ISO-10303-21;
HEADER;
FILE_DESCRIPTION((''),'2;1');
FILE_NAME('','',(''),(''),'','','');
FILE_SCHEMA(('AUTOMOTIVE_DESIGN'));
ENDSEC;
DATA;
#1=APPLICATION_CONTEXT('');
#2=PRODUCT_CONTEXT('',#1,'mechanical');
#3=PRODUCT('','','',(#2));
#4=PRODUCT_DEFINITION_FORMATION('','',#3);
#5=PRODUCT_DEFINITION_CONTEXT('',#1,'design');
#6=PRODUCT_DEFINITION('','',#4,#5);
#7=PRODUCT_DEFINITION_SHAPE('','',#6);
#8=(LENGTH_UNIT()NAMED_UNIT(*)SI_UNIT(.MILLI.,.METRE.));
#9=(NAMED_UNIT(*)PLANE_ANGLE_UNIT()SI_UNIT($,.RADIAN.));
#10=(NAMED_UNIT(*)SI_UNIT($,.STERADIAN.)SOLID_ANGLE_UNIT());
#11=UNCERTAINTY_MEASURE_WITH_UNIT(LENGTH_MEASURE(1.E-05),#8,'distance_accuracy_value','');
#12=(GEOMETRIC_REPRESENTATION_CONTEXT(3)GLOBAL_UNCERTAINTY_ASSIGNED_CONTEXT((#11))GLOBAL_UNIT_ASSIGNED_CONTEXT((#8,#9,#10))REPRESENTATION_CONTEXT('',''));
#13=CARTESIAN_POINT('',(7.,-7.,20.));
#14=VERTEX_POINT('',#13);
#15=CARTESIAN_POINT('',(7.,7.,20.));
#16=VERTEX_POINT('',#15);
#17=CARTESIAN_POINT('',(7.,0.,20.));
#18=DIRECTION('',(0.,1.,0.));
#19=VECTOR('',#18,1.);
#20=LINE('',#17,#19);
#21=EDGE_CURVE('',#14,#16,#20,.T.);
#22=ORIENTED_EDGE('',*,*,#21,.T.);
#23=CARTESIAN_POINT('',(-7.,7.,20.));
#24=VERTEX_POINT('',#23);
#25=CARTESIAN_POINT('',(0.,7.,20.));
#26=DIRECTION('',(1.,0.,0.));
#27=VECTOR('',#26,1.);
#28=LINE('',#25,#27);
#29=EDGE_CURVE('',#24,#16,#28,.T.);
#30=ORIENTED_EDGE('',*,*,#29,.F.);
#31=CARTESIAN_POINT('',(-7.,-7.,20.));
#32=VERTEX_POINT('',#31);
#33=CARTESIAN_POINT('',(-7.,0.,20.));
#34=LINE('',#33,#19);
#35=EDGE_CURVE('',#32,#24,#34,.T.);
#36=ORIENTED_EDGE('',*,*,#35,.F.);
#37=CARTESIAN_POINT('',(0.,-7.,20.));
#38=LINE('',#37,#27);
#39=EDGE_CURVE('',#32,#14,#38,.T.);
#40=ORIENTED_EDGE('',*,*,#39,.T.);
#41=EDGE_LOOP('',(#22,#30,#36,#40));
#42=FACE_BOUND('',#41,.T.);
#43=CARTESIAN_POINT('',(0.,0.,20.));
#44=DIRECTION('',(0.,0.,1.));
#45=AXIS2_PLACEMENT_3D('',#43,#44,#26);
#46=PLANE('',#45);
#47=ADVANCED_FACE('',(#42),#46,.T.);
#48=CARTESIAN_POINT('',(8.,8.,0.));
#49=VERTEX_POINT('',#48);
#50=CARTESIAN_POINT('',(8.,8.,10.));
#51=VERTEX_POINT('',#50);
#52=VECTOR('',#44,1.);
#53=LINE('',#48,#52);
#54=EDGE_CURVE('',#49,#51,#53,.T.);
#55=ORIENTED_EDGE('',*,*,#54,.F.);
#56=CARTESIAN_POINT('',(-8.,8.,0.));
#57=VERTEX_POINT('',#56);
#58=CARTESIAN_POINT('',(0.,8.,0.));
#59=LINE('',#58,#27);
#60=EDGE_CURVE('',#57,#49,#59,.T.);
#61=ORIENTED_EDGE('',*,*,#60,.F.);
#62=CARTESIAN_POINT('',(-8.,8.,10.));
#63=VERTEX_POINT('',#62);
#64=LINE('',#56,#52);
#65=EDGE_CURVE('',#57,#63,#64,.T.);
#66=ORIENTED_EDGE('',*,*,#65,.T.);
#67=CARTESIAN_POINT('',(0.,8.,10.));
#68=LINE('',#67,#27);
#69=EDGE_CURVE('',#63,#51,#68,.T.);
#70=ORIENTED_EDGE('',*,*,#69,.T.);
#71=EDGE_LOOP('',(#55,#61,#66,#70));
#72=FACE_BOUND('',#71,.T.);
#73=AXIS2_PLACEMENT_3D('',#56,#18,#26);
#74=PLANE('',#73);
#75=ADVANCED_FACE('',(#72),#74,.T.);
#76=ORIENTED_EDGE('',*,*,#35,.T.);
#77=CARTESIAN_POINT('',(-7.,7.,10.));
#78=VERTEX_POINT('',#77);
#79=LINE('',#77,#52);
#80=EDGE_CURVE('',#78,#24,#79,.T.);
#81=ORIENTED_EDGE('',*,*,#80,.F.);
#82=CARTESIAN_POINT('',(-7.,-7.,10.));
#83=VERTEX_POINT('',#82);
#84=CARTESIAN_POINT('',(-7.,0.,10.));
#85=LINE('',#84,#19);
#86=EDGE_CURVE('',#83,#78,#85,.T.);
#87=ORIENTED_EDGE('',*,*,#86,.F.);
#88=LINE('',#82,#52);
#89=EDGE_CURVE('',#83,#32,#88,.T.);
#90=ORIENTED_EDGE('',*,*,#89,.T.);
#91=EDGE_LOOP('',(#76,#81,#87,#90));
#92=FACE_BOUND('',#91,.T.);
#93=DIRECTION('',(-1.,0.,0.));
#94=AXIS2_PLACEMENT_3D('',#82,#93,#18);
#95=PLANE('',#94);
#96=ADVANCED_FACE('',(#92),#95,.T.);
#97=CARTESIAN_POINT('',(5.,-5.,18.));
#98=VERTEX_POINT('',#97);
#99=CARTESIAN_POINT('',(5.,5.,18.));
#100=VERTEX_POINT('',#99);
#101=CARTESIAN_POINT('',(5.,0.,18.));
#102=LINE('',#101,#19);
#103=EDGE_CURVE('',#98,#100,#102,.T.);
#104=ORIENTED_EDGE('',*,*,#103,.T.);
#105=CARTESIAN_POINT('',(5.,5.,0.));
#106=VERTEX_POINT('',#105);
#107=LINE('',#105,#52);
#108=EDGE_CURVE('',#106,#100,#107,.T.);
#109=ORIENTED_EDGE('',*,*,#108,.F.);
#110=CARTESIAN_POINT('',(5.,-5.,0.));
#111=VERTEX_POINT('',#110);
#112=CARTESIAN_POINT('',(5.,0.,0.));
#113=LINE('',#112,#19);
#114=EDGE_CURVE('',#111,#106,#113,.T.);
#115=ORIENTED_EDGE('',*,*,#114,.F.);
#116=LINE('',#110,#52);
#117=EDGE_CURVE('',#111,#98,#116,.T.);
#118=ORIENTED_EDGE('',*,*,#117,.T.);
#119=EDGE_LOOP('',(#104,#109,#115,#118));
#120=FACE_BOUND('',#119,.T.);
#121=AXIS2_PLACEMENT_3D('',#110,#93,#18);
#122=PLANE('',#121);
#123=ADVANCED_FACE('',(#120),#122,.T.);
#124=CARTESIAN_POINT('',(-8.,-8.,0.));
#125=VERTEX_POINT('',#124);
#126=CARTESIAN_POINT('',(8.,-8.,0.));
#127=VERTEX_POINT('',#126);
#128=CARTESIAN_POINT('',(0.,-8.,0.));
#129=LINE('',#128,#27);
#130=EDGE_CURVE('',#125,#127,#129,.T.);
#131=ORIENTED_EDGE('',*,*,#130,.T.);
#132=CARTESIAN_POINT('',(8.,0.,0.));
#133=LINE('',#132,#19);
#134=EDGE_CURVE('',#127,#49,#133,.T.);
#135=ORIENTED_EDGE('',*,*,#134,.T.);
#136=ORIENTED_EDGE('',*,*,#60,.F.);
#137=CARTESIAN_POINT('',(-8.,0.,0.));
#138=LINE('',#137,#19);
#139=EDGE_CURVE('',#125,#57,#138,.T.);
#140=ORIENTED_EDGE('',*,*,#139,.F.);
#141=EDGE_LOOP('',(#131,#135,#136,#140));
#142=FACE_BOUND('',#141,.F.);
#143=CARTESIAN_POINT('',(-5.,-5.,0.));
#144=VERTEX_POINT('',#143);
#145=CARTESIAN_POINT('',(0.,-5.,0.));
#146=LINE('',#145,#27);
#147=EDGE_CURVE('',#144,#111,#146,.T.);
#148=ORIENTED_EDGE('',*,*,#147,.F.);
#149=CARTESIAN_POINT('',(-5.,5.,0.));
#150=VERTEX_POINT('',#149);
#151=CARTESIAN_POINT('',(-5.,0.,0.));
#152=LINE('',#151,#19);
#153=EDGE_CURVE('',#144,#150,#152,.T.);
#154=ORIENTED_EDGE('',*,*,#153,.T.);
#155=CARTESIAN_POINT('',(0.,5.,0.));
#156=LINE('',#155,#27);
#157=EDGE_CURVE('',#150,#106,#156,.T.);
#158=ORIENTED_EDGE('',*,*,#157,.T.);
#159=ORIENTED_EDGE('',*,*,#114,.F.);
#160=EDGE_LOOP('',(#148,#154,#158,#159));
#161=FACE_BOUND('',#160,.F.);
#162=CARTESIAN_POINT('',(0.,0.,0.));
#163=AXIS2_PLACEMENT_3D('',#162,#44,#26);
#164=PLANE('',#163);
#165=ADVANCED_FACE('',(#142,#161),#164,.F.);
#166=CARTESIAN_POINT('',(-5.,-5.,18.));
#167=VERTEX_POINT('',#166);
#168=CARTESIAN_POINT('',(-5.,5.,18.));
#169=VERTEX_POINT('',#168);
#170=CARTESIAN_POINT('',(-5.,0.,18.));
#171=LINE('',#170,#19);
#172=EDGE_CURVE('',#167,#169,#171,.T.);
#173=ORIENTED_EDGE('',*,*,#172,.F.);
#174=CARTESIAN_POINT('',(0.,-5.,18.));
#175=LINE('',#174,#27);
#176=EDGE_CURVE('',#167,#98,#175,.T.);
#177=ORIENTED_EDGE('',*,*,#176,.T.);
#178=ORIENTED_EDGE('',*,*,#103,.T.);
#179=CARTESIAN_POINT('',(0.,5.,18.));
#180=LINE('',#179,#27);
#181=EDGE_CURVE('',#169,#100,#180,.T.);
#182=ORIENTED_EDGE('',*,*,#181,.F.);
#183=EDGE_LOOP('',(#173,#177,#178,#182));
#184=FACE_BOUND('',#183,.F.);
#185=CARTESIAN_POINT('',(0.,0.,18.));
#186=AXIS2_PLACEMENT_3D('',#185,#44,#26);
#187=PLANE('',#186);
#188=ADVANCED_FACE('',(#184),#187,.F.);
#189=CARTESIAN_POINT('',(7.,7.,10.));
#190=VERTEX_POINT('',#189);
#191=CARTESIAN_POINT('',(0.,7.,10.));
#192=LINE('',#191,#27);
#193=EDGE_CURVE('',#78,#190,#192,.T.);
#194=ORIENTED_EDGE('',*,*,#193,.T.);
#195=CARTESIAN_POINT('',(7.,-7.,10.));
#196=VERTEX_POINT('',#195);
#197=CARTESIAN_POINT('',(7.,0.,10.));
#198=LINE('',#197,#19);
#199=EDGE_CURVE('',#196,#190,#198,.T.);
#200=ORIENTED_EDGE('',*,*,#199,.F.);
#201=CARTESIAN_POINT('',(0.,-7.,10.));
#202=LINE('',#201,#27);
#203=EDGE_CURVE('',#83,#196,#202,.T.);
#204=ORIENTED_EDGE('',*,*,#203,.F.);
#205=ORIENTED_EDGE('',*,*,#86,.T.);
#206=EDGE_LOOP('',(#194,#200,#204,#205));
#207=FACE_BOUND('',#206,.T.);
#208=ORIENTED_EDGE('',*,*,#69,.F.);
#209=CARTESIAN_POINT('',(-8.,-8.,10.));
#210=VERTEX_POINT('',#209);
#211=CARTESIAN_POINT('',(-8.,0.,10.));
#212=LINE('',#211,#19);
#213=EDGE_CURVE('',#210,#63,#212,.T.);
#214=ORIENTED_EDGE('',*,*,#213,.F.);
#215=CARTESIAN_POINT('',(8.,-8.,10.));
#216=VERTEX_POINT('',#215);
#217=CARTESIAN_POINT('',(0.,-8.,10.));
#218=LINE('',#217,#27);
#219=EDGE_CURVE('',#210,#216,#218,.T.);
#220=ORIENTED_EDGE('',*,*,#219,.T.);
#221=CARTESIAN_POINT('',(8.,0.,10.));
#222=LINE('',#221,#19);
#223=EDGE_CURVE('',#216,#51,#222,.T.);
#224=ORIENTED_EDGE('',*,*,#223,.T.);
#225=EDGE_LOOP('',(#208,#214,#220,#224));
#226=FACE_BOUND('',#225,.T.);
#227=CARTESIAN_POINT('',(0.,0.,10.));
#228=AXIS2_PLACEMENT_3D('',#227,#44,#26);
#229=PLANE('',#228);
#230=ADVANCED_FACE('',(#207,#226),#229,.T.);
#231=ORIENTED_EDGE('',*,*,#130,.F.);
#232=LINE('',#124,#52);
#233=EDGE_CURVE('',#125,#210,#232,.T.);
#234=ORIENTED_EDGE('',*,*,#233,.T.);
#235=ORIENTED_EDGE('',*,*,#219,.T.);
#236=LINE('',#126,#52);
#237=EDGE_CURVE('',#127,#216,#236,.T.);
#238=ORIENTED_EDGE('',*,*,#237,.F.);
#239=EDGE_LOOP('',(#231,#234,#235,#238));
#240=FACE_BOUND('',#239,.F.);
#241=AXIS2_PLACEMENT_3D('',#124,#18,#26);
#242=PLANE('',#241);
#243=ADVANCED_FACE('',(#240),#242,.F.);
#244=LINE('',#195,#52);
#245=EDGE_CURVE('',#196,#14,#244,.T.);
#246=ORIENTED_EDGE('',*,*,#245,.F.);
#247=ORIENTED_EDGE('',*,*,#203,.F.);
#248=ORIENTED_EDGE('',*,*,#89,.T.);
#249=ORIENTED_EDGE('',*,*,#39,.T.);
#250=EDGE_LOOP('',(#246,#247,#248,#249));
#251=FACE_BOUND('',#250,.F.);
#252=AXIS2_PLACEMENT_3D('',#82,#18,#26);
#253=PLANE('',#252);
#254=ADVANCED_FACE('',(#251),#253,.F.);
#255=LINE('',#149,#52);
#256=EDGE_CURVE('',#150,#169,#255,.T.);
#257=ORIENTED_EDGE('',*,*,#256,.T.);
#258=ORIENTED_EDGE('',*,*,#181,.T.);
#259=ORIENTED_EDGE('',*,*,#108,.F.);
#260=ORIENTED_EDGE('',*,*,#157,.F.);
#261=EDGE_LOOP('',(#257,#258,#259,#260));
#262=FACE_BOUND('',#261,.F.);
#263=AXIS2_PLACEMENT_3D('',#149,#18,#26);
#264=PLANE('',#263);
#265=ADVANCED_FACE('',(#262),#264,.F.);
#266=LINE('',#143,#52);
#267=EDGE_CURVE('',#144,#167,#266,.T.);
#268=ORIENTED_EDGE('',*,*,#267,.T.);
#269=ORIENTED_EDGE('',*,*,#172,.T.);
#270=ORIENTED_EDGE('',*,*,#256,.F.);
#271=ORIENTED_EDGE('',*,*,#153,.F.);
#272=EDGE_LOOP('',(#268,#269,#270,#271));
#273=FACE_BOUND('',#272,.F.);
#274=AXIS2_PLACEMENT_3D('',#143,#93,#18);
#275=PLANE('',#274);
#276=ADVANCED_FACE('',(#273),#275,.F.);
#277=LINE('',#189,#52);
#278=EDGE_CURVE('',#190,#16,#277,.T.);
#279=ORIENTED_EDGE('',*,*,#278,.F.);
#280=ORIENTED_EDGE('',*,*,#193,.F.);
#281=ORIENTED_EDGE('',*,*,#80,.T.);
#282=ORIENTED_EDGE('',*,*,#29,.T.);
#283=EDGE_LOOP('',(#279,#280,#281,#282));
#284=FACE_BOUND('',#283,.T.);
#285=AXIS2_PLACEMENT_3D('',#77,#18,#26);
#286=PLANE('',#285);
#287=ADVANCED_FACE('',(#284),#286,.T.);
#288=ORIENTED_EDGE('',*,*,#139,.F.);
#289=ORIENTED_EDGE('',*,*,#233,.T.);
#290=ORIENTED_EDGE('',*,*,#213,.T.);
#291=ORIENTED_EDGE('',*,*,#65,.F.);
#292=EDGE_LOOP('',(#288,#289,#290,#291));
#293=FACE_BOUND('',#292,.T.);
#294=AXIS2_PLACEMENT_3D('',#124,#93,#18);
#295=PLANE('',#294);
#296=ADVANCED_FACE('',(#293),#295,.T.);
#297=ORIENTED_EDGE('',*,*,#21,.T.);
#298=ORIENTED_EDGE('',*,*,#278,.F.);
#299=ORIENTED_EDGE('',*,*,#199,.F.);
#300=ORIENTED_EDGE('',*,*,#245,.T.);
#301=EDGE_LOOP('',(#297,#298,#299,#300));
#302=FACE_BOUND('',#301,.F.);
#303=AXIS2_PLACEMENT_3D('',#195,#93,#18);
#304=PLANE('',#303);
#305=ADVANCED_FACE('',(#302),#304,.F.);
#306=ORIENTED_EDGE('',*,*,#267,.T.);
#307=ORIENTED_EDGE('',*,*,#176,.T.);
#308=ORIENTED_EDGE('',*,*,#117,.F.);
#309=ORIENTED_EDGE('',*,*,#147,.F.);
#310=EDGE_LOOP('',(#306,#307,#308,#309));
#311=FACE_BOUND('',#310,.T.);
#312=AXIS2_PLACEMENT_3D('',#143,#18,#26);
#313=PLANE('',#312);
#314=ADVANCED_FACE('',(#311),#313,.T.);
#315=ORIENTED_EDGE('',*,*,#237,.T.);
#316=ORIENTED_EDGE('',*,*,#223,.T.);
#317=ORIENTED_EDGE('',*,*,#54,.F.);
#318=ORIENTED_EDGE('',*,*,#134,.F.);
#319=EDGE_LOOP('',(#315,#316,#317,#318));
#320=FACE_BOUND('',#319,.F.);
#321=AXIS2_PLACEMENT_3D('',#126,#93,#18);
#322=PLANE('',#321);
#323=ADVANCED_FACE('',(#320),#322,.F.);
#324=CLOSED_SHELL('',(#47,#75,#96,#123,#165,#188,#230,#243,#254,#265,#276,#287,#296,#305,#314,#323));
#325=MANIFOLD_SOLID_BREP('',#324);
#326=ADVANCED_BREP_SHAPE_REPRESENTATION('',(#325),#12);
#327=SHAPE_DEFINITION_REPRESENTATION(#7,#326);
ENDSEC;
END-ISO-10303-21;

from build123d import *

# Parameters (mm, degrees)
BOX002_W     = 10
BOX002_H     = 10
BOX002_DEPTH = 18
BOX001_W     = 14
BOX001_H     = 14
BOX001_DEPTH = 10
BOX_W        = 16
BOX_H        = 16
BOX_DEPTH    = 10


with BuildPart() as cube002:
    # Box002 → Box002 (new body)
    with BuildSketch(Plane(origin=(-5, -5, 0), x_dir=(1, 0, 0), z_dir=(0, 0, 1))):
        with Locations((5, 5)):
            Rectangle(BOX002_W, BOX002_H)
    extrude(amount=BOX002_DEPTH)


with BuildPart() as cube001:
    # Box001 → Box001 (new body)
    with BuildSketch(Plane(origin=(-7, -7, 10), x_dir=(1, 0, 0), z_dir=(0, 0, 1))):
        with Locations((7, 7)):
            Rectangle(BOX001_W, BOX001_H)
    extrude(amount=BOX001_DEPTH)


with BuildPart() as cut:
    # Box → Box (new body)
    with BuildSketch(Plane(origin=(-8, -8, 0), x_dir=(1, 0, 0), z_dir=(0, 0, 1))):
        with Locations((8, 8)):
            Rectangle(BOX_W, BOX_H)
    extrude(amount=BOX_DEPTH)

    # Fusion: union Cube001
    add(cube001.part)

    # Cut: cut Cube002
    add(cube002.part, mode=Mode.SUBTRACT)


solid = cut.part
